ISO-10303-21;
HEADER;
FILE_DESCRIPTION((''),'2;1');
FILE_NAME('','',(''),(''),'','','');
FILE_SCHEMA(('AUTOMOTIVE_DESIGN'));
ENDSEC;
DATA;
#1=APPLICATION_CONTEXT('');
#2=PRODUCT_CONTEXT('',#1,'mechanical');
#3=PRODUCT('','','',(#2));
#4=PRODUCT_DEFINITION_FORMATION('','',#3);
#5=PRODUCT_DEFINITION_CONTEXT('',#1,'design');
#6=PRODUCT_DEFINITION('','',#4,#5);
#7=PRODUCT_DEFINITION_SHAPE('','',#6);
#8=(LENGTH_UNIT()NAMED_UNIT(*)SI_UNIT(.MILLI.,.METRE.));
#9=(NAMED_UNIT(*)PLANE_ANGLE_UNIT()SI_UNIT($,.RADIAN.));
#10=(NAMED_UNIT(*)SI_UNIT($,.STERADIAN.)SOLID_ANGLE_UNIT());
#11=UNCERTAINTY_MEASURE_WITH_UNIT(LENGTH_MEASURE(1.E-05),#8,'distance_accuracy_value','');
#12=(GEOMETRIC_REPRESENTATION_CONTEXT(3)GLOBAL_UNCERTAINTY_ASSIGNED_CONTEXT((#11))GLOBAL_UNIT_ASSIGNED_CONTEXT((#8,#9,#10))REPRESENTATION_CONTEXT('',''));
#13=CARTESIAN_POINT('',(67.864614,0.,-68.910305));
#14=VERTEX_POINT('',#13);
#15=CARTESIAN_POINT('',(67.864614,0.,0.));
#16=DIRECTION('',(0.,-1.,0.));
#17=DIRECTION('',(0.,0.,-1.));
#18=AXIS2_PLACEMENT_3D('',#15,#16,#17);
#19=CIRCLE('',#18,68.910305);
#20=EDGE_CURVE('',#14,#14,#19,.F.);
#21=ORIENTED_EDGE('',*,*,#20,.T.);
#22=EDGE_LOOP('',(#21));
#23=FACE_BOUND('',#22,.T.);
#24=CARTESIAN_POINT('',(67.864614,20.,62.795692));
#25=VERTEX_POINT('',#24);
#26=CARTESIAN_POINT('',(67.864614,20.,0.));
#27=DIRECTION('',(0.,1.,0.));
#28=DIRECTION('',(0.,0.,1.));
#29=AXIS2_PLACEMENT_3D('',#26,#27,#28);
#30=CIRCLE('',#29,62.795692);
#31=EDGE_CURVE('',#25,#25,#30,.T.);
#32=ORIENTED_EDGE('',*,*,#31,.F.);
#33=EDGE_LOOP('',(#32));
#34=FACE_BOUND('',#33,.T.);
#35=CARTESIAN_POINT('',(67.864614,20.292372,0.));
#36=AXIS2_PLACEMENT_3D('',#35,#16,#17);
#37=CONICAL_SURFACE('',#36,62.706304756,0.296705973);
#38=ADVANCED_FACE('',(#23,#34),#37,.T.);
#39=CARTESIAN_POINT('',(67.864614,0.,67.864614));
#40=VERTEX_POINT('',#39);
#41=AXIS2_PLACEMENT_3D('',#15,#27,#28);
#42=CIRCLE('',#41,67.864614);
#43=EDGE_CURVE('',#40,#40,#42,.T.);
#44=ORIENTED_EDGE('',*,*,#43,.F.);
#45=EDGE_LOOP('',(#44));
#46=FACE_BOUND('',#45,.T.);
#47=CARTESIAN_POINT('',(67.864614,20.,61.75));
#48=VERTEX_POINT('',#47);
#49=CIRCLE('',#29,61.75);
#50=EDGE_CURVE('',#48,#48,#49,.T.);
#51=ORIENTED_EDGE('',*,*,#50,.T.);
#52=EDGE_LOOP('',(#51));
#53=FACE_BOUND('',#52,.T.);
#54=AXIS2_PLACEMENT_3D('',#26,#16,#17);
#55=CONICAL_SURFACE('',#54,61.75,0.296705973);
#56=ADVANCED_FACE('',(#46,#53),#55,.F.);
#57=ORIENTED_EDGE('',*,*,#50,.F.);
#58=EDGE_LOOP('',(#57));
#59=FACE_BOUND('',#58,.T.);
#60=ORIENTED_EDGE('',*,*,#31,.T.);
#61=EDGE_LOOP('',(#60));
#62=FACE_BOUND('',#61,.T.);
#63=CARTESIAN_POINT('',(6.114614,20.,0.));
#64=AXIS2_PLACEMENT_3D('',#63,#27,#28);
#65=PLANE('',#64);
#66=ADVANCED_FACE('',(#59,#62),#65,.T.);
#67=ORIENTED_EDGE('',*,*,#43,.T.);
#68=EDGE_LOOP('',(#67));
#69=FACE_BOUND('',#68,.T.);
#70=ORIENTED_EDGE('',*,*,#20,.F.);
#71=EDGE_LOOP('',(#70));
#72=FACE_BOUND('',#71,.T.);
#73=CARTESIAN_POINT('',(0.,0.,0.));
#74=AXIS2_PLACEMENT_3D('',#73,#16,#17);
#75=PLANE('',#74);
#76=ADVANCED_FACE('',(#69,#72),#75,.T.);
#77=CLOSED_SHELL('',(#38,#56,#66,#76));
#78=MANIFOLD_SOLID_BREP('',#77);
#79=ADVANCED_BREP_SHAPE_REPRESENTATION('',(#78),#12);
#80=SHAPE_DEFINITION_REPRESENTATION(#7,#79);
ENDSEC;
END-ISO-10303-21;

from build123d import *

# Parameters (mm, degrees)
SHELL1_T = 1


with BuildPart() as part:
    # Sketch2 → Revolve1 (revolve)
    with BuildSketch(Plane.XY, mode=Mode.PRIVATE) as revolve1_sk:
        Polygon((0, 0), (6.114613629, 20), (67.864613629, 20), (67.864613629, 0), align=None)
    revolve(revolve1_sk.sketch.rotate(Axis((67.864613629, 20, 0), (0, -1, 0)), 270), axis=Axis((67.864613629, 20, 0), (0, -1, 0)))

    # Shell1
    shell1_openings = [part.faces().sort_by_distance(p)[0] for p in [
        (67.864613629, 20, 0),
        (67.864613629, 0, 0),
    ]]
    offset(amount=SHELL1_T, openings=shell1_openings, kind=Kind.INTERSECTION)


solid = part.part
